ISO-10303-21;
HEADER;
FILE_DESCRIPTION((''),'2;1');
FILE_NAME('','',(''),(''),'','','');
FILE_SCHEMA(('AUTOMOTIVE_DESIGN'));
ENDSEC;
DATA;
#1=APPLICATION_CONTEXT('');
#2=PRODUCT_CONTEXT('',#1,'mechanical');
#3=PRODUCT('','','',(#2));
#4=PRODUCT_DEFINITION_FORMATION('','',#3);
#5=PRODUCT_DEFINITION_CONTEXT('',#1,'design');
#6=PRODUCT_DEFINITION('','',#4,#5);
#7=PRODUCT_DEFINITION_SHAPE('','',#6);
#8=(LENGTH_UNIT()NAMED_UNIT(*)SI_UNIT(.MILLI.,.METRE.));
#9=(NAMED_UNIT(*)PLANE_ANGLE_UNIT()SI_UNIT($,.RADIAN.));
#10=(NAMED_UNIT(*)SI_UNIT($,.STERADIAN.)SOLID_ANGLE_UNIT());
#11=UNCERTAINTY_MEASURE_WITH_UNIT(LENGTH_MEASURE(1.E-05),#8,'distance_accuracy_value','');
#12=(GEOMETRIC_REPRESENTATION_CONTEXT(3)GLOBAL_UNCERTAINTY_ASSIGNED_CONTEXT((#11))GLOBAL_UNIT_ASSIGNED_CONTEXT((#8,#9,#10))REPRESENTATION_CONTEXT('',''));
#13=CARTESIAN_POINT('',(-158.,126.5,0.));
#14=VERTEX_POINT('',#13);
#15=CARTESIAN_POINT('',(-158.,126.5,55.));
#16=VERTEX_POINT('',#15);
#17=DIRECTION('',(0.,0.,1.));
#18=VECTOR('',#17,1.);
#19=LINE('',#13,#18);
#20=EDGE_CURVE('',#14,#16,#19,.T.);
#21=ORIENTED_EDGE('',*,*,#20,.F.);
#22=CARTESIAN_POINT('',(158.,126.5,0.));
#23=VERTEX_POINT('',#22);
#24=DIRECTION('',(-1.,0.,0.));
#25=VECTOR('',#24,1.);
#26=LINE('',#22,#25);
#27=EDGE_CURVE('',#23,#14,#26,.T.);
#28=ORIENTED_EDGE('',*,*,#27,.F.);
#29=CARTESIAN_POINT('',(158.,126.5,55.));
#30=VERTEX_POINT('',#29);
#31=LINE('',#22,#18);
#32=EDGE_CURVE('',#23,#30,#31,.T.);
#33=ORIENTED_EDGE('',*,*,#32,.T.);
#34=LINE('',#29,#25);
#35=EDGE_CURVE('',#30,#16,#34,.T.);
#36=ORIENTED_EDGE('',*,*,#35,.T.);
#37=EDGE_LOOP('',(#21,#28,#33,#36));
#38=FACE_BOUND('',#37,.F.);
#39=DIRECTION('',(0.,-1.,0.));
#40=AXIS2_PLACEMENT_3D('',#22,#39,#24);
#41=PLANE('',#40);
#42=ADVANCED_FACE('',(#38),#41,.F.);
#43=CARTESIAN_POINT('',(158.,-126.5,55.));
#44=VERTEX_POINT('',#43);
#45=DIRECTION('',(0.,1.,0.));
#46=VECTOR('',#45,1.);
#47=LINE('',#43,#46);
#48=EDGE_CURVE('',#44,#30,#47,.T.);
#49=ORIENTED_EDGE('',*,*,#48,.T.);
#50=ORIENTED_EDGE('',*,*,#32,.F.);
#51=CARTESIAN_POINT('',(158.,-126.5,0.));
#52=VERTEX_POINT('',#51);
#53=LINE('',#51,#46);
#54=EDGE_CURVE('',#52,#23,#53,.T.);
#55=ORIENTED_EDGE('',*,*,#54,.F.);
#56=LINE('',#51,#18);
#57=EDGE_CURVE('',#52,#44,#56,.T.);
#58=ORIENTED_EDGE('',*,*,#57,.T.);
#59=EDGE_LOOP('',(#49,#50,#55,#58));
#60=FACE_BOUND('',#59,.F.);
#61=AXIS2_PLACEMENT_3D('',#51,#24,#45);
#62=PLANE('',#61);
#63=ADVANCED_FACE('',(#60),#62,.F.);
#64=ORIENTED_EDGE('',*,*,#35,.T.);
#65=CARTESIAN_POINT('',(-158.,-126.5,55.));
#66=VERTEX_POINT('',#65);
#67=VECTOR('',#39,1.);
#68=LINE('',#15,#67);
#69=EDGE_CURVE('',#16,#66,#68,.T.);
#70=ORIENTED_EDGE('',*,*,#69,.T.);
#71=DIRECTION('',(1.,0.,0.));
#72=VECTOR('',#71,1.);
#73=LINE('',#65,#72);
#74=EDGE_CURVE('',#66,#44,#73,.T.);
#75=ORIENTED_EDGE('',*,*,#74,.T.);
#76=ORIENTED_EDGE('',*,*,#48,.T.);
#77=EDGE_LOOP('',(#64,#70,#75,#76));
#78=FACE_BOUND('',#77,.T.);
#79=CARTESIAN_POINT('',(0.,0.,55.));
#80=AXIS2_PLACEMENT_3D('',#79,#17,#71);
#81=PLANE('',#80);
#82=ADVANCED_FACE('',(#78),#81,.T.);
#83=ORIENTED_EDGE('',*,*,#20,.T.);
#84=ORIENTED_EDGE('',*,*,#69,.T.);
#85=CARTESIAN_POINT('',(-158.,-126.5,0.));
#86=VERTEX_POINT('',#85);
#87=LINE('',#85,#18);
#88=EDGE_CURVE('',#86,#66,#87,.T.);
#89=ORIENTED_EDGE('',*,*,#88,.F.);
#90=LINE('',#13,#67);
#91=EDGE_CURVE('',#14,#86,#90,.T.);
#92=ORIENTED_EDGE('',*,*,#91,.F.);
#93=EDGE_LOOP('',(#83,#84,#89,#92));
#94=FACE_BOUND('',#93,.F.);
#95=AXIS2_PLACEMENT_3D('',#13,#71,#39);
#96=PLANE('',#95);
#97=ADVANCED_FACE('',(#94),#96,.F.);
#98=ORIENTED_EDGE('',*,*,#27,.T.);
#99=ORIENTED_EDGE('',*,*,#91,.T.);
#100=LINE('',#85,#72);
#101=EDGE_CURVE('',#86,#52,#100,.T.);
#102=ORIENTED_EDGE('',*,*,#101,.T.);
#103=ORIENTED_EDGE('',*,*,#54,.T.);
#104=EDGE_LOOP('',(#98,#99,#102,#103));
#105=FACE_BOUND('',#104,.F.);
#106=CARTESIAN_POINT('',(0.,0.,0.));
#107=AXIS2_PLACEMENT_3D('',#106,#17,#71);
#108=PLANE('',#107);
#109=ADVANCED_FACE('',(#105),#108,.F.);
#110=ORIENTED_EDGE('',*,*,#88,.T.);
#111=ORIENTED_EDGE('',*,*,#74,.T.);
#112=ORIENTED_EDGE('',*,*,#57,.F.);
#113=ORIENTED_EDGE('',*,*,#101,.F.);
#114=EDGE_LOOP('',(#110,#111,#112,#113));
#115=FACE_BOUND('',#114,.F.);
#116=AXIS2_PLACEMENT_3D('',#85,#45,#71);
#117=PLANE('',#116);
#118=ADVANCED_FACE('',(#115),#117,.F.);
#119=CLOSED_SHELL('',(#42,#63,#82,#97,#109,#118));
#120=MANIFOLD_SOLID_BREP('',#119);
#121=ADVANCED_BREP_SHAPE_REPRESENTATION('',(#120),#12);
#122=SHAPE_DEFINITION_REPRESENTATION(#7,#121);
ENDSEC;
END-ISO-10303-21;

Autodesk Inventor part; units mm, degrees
ref_plane "YZ Plane" through (0, 0, 0) normal (1, 0, 0) x (0, 1, 0)
ref_plane "XZ Plane" through (0, 0, 0) normal (0, 1, 0) x (-1, 0, 0)
ref_plane "XY Plane" through (0, 0, 0) normal (0, 0, 1) x (1, 0, 0)
sketch "Sketch1" plane through (0, 0, 0) normal (0, 0, 1) x (1, 0, 0)
  line L0 (-158, -126.5) -> (158, -126.5)
  line L1 (158, -126.5) -> (158, 126.5)
  line L2 (158, 126.5) -> (-158, 126.5)
  line L3 (-158, 126.5) -> (-158, -126.5)
  line L4 (-158, -126.5) -> (158, 126.5) construction
  line L5 (158, -126.5) -> (-158, 126.5) construction
  point P0 (0, 0)
  dimension "d0" = 316
  dimension "d1" = 253
extrude "Extrusion1" add sketch "Sketch1" along normal blind 55
properties part number "XP2ScaleModel"
